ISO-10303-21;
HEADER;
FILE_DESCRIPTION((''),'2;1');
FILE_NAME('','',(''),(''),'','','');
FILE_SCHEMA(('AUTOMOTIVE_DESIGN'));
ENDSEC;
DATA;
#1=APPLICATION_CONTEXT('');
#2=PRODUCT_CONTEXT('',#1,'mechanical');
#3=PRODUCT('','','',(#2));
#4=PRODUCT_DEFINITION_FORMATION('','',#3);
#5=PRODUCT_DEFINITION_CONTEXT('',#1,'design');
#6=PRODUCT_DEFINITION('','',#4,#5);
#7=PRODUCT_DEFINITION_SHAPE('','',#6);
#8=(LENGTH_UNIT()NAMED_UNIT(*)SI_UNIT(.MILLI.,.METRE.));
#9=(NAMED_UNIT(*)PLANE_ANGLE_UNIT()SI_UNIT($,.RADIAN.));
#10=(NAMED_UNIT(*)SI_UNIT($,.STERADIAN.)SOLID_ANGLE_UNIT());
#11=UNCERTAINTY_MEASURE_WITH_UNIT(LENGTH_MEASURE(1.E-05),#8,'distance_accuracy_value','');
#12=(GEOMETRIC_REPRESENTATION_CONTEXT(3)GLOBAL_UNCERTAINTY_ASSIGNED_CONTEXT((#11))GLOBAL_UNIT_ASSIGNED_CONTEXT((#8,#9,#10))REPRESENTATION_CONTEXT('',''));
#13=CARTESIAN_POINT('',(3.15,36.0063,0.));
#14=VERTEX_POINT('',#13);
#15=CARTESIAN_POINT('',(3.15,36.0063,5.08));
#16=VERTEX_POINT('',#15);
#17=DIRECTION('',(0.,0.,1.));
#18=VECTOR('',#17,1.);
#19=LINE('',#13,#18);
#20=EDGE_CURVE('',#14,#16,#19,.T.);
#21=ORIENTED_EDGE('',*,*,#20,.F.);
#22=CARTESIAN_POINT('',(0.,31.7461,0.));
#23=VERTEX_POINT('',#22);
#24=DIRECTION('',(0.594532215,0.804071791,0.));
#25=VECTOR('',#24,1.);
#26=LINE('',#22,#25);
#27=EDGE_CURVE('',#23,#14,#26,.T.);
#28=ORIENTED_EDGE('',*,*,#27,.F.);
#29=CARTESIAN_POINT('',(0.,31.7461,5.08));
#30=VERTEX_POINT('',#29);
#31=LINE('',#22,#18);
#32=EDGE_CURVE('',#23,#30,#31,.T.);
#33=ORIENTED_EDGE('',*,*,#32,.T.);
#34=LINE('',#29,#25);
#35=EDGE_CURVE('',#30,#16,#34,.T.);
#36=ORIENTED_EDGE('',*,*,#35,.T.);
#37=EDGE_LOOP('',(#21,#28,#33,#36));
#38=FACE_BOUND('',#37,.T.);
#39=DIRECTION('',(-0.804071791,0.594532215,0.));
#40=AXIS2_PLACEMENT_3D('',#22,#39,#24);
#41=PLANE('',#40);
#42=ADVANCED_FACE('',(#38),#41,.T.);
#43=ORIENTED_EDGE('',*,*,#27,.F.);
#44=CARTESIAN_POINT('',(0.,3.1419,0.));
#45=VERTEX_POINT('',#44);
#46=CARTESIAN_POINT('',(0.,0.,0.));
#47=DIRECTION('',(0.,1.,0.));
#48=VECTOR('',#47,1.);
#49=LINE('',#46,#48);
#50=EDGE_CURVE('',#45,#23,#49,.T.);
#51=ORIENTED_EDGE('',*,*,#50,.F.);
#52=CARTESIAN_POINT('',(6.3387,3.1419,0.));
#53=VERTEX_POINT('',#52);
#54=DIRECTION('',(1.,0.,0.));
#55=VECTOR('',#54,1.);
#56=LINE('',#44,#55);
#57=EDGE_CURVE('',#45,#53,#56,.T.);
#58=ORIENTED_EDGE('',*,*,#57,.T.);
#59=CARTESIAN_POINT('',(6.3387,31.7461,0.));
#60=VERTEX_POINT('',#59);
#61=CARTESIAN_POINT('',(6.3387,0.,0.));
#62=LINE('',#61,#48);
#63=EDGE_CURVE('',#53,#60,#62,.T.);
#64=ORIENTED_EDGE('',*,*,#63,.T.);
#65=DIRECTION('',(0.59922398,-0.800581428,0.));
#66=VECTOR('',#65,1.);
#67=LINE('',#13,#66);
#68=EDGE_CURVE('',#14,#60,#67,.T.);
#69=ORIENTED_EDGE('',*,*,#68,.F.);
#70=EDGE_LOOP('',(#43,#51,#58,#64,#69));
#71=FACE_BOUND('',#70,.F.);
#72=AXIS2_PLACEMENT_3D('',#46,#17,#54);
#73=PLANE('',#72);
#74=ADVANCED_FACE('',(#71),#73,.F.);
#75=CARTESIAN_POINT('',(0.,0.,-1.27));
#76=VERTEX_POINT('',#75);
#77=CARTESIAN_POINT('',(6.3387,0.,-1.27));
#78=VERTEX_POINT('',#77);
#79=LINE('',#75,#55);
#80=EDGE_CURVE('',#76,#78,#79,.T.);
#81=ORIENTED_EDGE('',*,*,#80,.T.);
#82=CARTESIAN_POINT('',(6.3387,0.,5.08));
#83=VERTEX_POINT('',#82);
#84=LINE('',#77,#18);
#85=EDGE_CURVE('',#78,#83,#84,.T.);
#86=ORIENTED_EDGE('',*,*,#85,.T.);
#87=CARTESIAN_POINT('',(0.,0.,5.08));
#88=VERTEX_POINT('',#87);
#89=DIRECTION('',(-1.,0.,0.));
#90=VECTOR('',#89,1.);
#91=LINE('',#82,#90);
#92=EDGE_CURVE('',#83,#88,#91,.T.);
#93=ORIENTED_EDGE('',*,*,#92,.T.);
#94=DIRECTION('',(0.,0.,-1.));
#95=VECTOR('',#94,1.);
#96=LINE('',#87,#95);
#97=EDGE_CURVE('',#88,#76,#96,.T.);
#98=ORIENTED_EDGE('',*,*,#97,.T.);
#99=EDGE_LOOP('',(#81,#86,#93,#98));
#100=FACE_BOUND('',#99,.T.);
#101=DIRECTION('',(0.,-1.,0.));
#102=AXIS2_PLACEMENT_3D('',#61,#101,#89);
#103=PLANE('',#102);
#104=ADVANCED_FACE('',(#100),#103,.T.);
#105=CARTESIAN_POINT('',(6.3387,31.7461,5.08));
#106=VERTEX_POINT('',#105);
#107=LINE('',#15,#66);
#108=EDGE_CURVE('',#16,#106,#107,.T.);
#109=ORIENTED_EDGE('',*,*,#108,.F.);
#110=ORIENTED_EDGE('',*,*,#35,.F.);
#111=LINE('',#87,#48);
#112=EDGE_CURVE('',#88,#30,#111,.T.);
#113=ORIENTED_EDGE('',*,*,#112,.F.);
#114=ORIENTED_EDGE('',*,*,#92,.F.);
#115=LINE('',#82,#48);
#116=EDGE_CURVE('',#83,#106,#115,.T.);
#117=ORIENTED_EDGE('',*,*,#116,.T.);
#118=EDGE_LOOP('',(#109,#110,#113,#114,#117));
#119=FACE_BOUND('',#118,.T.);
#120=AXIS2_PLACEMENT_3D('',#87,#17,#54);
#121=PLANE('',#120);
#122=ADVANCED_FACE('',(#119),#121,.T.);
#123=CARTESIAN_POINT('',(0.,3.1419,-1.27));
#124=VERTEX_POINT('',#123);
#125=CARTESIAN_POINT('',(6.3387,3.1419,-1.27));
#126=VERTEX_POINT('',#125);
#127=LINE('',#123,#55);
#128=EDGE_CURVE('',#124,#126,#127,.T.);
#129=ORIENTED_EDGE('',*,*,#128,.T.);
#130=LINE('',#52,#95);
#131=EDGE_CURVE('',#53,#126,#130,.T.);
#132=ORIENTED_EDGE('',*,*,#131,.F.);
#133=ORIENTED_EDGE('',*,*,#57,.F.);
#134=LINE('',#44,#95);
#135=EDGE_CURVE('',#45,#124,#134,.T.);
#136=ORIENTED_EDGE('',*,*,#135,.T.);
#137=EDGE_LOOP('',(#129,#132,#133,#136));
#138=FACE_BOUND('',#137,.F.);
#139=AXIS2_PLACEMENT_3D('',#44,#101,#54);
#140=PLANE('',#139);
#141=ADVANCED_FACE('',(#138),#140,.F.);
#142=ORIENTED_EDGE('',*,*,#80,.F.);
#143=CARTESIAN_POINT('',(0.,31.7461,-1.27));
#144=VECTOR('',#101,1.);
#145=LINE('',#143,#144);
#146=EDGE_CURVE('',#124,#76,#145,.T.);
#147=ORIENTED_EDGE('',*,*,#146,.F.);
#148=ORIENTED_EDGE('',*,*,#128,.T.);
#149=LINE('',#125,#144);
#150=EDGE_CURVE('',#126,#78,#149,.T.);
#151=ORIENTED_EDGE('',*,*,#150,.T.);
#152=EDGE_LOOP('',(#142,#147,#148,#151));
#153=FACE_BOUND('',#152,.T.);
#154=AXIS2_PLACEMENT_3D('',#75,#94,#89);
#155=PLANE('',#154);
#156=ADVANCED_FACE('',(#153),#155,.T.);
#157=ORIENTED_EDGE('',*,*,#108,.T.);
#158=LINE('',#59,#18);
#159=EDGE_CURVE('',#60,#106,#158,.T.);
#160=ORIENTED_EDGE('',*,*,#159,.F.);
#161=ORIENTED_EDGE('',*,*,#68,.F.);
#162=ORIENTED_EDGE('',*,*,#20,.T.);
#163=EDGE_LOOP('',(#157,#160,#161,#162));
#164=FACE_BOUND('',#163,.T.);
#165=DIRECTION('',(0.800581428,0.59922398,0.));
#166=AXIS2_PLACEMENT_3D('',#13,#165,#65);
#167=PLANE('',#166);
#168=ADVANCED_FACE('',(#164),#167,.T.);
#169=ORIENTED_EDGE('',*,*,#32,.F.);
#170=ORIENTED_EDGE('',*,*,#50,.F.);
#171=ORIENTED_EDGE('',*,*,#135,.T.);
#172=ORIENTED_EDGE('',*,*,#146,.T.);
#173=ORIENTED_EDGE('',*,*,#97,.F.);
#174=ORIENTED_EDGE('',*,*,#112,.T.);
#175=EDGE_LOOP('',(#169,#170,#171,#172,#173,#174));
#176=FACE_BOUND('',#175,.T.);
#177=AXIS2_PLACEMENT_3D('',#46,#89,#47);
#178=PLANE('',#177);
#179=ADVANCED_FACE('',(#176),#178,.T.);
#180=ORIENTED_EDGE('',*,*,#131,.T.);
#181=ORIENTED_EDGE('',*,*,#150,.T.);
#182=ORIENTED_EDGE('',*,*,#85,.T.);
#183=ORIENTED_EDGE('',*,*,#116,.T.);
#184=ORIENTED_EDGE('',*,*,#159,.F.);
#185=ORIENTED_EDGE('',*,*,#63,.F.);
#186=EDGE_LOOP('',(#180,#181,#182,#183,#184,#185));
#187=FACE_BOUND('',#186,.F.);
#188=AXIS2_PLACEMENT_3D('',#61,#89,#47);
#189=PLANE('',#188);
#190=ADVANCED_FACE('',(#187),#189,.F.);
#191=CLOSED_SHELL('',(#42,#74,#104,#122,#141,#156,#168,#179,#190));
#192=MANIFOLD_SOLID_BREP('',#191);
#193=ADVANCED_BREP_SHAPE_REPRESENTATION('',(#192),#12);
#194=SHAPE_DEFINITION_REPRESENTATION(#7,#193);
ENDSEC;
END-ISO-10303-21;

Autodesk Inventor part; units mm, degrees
ref_plane "YZ Plane" through (0, 0, 0) normal (1, 0, 0) x (0, 1, 0)
ref_plane "XZ Plane" through (0, 0, 0) normal (0, 1, 0) x (-1, 0, 0)
ref_plane "XY Plane" through (0, 0, 0) normal (0, 0, 1) x (1, 0, 0)
sketch "Sketch1" plane through (0, 0, 0) normal (0, 0, 1) x (1, 0, 0)
  line L0 (6.3387, 0) -> (6.3387, 31.7461)
  line L1 (0, 31.7461) -> (3.15, 36.0063)
  line L2 (3.15, 36.0063) -> (6.3387, 31.7461)
  line L3 (6.3387, 0) -> (0, 0)
  line L4 (0, 0) -> (0, 31.7461)
extrude "Extrusion1" add sketch "Sketch1" along normal blind 5.08
sketch "Sketch2" plane through (0, 0, 0) normal (0, 0, -1) x (-1, 0, 0)
  line L0 (0, 0) -> (-6.3387, 0) projected
  line L1 (0, 31.7461) -> (0, 0) projected
  line L2 (-6.3387, 0) -> (0, 0)
  line L3 (0, 0) -> (0, 3.1419)
  line L4 (0, 3.1419) -> (-6.3387, 3.1419)
  line L5 (-6.3387, 3.1419) -> (-6.3387, 0)
extrude "Extrusion2" add sketch "Sketch2" along normal blind 1.27
properties part number "Needle"
